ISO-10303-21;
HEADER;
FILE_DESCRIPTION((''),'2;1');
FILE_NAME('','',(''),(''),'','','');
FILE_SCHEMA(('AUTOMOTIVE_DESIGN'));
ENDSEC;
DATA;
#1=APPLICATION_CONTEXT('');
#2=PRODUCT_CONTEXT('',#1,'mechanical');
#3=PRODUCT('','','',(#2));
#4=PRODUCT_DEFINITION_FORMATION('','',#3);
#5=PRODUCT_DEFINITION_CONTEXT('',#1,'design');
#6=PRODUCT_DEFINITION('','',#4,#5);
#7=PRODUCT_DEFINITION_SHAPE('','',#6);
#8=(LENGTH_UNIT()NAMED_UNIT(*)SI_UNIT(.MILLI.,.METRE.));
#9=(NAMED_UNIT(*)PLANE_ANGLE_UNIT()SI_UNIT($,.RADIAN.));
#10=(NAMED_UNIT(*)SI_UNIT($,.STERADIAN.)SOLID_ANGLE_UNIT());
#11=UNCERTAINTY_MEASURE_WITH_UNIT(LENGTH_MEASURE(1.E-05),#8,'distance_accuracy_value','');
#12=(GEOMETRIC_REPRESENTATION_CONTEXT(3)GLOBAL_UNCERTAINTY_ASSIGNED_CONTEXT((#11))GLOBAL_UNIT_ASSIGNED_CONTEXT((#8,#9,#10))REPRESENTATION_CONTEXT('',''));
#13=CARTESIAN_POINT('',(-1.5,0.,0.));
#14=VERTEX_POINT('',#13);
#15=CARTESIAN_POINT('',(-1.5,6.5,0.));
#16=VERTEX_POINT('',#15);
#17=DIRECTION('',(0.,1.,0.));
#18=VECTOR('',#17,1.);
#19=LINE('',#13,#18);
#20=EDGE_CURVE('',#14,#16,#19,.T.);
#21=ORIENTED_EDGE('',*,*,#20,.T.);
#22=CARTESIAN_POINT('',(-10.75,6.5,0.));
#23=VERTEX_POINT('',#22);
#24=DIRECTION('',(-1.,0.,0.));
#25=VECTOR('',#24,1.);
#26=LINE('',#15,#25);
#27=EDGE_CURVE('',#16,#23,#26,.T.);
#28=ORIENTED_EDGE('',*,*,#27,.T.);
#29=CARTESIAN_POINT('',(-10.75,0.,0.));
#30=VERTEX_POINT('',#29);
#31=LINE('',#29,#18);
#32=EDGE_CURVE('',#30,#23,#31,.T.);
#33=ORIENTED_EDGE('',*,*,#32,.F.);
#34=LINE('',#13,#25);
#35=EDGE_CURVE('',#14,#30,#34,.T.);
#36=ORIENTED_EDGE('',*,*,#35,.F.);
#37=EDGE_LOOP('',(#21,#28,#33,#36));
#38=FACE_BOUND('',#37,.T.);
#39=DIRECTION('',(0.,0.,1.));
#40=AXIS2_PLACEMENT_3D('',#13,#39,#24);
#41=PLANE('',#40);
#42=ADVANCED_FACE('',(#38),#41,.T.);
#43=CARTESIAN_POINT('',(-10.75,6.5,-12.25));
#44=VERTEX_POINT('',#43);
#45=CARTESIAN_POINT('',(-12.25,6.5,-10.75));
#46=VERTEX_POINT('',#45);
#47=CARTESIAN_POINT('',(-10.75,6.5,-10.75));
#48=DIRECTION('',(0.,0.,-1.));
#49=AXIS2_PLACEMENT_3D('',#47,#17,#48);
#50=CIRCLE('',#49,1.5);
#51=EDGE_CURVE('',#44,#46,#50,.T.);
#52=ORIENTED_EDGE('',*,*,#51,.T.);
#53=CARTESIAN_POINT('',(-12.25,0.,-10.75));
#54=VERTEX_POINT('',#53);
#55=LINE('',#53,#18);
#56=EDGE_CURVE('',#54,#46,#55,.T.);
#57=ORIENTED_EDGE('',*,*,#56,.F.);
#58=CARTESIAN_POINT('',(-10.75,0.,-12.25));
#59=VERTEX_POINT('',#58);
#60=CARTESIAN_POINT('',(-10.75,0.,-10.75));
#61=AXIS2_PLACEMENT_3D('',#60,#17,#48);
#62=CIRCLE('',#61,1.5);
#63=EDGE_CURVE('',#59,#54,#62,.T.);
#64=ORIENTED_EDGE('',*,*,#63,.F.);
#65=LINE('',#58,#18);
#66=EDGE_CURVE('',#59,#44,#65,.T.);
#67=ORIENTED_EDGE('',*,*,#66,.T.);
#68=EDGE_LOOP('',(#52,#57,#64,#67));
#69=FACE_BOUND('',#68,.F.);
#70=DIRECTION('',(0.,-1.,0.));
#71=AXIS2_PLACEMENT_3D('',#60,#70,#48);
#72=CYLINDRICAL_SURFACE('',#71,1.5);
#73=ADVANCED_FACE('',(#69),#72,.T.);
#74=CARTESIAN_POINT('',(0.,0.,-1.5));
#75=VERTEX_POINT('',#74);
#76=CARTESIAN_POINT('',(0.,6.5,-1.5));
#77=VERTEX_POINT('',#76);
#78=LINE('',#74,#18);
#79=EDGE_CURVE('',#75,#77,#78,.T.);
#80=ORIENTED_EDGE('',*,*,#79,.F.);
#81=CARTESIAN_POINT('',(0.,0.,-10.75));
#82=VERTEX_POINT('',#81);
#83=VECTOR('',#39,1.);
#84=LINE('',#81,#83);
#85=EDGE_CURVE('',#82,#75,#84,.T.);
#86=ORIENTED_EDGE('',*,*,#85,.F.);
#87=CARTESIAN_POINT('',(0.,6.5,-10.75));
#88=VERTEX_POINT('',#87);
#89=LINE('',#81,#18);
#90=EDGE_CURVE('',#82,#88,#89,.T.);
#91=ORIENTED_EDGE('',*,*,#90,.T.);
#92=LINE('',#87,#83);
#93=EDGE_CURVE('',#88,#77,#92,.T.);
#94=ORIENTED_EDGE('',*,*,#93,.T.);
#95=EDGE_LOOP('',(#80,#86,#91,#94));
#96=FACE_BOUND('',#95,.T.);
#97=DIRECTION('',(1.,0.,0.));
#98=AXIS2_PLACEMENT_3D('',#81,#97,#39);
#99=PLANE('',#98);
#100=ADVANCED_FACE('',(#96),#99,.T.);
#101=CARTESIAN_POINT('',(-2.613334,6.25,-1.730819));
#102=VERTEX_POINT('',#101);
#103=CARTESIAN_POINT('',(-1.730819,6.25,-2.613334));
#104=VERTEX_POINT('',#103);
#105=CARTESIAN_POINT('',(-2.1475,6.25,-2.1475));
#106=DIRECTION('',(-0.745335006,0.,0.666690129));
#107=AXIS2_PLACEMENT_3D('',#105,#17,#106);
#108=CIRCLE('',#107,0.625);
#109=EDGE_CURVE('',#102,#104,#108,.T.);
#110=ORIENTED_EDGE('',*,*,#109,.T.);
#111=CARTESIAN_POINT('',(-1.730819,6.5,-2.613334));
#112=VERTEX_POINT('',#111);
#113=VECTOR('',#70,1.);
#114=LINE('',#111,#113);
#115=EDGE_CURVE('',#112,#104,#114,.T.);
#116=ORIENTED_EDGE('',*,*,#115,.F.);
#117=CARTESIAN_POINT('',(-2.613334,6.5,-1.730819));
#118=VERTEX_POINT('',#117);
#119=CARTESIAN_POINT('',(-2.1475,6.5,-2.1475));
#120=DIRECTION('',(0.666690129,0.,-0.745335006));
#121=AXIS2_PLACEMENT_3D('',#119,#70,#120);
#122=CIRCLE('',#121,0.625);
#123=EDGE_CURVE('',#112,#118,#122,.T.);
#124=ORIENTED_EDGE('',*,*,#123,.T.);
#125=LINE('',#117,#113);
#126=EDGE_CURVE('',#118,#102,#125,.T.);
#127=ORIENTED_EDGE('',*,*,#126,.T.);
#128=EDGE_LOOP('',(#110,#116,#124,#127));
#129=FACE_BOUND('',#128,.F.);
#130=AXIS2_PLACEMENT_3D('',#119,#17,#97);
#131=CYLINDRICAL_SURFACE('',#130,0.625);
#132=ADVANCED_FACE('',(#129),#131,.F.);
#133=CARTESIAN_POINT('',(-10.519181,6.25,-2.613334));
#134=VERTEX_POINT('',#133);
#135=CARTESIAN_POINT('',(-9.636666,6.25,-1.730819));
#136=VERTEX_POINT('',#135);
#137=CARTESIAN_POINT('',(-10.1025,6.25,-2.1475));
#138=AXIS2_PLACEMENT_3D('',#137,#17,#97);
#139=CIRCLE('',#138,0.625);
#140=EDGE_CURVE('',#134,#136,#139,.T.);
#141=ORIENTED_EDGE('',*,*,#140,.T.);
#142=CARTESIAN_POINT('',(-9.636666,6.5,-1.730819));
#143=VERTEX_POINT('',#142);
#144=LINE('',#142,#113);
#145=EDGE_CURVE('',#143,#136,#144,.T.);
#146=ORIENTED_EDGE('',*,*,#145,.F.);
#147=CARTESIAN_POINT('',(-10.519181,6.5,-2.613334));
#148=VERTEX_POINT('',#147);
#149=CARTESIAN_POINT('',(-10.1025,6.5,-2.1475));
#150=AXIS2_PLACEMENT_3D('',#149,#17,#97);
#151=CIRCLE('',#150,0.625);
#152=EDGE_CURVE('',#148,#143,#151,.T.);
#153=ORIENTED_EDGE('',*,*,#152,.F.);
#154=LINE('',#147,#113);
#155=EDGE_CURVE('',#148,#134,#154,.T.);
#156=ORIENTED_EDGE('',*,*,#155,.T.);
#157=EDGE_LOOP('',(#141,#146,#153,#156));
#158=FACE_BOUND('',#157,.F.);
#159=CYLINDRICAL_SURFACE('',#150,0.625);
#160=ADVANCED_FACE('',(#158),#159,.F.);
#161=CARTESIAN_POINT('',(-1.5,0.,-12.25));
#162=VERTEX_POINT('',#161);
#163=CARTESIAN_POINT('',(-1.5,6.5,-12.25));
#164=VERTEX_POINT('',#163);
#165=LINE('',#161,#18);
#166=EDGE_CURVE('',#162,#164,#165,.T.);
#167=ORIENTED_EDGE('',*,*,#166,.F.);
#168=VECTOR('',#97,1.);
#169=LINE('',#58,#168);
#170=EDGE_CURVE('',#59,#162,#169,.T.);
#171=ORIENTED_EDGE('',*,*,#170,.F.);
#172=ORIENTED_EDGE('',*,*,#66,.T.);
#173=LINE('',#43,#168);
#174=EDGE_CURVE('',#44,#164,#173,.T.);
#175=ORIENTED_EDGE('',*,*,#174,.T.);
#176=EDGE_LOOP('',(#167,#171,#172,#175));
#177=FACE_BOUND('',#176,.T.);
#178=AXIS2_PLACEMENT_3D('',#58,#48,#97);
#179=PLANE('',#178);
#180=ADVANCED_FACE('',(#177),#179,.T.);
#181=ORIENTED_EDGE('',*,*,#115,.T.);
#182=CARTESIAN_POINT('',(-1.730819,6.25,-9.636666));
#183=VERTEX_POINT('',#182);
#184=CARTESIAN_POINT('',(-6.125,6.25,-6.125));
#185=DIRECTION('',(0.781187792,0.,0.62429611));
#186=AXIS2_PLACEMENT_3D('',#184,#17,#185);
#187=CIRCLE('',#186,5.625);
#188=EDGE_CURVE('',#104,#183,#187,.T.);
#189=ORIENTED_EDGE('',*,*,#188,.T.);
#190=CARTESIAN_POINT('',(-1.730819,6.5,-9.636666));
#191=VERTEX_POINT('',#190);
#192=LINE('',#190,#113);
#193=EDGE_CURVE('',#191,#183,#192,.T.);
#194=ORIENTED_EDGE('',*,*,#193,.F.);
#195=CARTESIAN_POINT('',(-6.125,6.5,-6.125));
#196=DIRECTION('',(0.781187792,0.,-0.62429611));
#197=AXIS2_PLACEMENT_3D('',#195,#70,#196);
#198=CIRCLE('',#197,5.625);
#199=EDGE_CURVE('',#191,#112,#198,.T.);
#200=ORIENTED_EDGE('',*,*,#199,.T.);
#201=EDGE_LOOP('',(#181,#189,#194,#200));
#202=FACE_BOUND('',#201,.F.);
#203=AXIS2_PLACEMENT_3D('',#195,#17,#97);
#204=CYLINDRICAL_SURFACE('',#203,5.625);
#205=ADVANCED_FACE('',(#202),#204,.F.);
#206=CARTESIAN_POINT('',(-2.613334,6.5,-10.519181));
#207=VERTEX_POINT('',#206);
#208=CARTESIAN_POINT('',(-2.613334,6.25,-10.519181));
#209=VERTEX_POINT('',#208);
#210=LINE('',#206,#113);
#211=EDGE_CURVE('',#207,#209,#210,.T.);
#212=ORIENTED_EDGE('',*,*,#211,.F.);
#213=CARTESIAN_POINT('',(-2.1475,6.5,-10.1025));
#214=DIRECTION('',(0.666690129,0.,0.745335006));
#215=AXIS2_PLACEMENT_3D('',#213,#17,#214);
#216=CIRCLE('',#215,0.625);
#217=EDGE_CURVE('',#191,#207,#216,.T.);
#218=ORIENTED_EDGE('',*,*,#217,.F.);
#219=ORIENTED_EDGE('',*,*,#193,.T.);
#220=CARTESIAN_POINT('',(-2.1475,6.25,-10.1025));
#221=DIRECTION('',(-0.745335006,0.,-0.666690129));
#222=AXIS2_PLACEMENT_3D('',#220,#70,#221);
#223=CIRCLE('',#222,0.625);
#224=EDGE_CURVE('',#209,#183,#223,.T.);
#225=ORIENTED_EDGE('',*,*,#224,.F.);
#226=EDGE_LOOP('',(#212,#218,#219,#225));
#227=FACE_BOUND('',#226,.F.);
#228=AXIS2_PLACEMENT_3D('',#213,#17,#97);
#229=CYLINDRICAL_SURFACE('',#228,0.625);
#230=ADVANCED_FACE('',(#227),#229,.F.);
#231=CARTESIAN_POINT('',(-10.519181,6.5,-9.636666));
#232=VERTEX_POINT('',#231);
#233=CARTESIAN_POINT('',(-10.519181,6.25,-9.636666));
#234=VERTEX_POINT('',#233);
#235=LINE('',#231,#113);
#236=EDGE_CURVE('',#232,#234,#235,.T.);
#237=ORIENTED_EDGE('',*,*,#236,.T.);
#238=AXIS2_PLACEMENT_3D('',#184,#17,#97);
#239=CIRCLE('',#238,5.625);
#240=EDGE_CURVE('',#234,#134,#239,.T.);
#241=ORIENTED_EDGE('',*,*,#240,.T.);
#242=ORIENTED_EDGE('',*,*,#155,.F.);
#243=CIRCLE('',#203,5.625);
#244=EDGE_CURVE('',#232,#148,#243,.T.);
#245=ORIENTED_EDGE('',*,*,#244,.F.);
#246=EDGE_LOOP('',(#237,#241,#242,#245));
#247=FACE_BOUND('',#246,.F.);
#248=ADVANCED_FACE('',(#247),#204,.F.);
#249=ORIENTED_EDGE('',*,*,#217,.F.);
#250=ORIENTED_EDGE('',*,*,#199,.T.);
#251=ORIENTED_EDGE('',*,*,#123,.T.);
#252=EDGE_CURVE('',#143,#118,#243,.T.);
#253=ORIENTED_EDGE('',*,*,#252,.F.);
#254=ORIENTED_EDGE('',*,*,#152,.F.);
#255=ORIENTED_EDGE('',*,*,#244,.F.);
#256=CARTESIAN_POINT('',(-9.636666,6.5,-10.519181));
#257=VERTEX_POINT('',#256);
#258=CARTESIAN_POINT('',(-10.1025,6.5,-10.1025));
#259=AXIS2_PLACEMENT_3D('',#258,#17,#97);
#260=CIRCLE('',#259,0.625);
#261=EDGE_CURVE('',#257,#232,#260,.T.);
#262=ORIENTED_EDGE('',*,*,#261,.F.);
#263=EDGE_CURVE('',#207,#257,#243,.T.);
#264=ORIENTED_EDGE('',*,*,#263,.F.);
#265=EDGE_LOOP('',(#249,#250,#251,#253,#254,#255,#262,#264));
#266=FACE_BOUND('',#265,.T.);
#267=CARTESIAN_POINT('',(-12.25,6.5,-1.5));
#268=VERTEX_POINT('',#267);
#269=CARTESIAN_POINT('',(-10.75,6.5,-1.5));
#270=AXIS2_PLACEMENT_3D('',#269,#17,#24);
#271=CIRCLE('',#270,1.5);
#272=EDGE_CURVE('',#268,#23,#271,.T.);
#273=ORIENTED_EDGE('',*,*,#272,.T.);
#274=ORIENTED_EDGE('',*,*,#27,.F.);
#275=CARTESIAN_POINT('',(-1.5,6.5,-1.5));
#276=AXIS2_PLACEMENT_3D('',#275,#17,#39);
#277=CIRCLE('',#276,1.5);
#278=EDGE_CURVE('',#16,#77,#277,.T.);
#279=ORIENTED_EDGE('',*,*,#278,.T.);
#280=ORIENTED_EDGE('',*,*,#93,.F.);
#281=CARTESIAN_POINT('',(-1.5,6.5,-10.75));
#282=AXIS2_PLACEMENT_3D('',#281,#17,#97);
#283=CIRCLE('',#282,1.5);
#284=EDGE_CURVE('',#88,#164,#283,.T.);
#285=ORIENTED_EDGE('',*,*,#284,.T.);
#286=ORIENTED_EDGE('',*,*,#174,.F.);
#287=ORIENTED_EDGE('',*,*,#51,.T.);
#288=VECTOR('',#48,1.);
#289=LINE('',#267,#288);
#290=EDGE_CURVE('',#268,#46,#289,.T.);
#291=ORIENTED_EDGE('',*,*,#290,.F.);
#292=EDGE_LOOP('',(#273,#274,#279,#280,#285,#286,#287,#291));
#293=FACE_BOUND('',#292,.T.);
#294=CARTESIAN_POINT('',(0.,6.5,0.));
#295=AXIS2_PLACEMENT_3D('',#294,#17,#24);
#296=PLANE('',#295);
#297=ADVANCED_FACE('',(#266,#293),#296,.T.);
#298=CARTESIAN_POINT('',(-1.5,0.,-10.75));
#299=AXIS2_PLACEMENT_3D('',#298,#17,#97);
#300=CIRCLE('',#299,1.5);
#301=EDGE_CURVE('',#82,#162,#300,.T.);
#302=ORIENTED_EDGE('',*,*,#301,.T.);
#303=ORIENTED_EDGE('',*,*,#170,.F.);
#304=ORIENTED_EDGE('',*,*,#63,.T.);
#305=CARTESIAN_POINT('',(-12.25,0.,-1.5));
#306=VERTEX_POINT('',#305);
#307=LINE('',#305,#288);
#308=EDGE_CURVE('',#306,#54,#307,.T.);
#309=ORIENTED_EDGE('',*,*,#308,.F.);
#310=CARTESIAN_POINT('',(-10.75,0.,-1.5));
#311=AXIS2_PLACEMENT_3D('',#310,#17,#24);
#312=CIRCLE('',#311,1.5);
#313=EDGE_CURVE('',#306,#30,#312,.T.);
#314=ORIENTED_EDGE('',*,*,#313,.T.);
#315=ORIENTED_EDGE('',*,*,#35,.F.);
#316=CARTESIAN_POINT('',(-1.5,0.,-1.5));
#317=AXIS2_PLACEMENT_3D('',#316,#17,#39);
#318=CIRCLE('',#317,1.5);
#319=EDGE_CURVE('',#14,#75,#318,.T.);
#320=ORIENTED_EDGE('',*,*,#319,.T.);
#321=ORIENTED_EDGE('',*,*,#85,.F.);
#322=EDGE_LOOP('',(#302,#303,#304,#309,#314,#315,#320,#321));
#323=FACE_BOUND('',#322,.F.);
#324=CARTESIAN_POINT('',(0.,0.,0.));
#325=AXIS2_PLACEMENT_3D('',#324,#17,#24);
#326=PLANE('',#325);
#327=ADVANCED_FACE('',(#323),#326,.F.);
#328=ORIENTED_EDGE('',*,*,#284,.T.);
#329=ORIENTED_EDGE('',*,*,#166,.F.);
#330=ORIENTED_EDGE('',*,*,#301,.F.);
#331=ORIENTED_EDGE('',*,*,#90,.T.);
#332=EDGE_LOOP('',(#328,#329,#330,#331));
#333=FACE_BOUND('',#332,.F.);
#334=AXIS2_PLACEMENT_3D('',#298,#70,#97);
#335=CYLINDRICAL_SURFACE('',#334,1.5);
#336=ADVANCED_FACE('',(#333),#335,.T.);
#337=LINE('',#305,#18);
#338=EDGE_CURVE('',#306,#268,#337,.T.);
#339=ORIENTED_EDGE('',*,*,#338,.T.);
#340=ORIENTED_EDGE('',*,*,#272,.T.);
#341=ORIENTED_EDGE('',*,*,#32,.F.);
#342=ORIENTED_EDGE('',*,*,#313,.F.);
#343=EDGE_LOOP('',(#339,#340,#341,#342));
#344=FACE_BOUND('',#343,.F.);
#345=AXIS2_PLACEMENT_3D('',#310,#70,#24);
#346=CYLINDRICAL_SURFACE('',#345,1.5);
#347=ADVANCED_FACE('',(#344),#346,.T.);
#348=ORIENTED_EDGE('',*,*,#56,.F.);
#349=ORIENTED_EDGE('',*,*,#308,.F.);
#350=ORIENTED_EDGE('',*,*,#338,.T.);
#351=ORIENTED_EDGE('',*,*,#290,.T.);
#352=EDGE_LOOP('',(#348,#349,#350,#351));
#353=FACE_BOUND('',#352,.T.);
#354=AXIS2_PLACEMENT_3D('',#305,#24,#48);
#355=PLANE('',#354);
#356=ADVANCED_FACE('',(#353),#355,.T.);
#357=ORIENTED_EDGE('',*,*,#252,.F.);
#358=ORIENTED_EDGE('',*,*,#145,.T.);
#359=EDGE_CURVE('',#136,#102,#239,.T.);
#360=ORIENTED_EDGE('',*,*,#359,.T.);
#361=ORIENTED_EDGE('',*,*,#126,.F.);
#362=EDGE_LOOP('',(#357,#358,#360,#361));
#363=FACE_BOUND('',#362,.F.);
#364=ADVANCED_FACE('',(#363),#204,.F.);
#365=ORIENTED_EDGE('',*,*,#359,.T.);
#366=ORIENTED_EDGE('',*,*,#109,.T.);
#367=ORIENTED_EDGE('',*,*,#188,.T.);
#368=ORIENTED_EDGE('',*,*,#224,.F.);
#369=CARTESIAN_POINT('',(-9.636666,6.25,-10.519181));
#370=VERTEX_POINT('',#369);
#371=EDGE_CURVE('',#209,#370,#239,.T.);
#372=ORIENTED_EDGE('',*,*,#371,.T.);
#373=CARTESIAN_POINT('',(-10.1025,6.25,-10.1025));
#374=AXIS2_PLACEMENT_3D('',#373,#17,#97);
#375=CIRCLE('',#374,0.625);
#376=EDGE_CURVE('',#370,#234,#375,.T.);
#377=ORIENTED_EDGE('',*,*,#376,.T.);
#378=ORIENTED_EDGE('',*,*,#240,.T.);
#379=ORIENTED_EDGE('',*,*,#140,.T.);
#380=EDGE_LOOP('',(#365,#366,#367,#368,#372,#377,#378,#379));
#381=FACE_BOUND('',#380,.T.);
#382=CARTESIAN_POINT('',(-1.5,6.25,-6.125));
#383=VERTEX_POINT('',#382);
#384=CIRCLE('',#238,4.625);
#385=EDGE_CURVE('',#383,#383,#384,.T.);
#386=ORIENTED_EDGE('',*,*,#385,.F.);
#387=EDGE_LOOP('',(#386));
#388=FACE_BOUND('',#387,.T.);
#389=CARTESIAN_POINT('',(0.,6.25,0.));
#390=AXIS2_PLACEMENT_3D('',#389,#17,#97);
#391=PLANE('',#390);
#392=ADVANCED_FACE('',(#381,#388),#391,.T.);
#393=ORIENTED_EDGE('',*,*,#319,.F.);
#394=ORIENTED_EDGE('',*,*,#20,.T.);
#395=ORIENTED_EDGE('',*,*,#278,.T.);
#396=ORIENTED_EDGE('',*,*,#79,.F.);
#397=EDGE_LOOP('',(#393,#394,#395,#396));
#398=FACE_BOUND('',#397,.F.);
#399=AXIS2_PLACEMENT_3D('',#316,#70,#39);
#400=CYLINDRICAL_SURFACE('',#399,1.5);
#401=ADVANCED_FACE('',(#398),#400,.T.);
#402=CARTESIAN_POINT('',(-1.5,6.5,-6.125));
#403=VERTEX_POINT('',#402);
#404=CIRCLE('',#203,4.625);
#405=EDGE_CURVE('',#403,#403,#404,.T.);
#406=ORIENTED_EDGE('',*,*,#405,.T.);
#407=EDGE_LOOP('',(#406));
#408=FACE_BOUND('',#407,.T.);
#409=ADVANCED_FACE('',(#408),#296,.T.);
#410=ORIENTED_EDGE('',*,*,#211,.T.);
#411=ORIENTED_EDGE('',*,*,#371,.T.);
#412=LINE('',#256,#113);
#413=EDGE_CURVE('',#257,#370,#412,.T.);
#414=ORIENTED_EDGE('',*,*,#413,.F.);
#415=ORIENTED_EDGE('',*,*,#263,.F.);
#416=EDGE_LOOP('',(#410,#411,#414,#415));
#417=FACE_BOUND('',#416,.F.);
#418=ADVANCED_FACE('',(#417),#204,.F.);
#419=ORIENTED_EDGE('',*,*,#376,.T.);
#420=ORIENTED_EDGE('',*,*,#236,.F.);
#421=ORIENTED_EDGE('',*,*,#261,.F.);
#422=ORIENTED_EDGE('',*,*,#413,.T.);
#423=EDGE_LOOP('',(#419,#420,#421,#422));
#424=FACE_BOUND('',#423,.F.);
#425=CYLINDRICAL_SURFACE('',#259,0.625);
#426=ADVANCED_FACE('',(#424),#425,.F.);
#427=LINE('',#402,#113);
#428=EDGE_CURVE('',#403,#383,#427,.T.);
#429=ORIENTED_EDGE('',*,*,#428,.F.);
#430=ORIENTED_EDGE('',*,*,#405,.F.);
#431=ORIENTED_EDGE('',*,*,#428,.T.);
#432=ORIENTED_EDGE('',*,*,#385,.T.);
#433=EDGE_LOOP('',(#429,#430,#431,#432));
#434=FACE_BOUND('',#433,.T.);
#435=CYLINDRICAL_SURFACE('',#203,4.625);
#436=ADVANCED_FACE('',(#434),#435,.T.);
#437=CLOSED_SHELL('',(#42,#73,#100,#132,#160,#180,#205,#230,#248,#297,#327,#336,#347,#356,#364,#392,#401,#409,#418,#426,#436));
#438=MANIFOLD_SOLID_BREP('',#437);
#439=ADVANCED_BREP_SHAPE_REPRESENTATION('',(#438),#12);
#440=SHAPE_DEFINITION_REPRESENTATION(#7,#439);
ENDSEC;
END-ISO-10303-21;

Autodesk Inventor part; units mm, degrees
ref_plane "YZ Plane" through (0, 0, 0) normal (1, 0, 0) x (0, 1, 0)
ref_plane "XZ Plane" through (0, 0, 0) normal (0, 1, 0) x (-1, 0, 0)
ref_plane "XY Plane" through (0, 0, 0) normal (0, 0, 1) x (1, 0, 0)
sketch "Sketch1" plane through (0, 0, 0) normal (0, 1, 0) x (-1, 0, 0)
  line L0 (1.5, 0) -> (10.75, 0)
  line L1 (12.25, -1.5) -> (12.25, -10.75)
  line L2 (10.75, -12.25) -> (1.5, -12.25)
  line L3 (0, -10.75) -> (0, -1.5)
  arc A0 (12.25, -1.5) -> (10.75, 0) centre (10.75, -1.5) ccw
  arc A1 (10.75, -12.25) -> (12.25, -10.75) centre (10.75, -10.75) ccw
  arc A2 (0, -10.75) -> (1.5, -12.25) centre (1.5, -10.75) ccw
  arc A3 (1.5, 0) -> (0, -1.5) centre (1.5, -1.5) ccw
  point P0 (0, 0)
  point P1 (12.25, -12.25)
  point P2 (12.25, 0)
  dimension "d0" = 12.25
  dimension "d1" = 12.25
  dimension "d2" = 1.5
extrude "Extrusion1" add sketch "Sketch1" along normal blind 6.5
sketch "Sketch2" plane through (0, 6.5, 0) normal (0, 1, 0) x (1, 0, 0)
  circle A0 centre (-6.125, 6.125) radius 5.625
  line L0 (-1.5, 12.25) -> (-10.75, 12.25) projected
  line L1 (-10.75, 0) -> (-1.5, 0) projected
  circle A1 centre (-6.125, 6.125) radius 4.625
  circle A2 centre (-10.1025, 2.1475) radius 0.625
  arc A3 (-12.25, 1.5) -> (-10.75, 0) centre (-10.75, 1.5) ccw construction
  line L2 (-6.125, 6.125) -> (-10.75, 1.5) construction
  line L3 (-12.25, 10.75) -> (-12.25, 1.5) construction
  circle A4 centre (-2.1475, 2.1475) radius 0.625
  circle A5 centre (-2.1475, 10.1025) radius 0.625
  circle A6 centre (-10.1025, 10.1025) radius 0.625
  point P0 (0, 0)
  dimension "d6" = 11.25
  dimension "d5" = 12.25
  dimension "d7" = 1
  dimension "d8" = 1.25
  dimension "d9" = 6.125
  dimension "d10" = 6.125
  dimension "d13" = 360
extrude "Extrusion2" cut sketch "Sketch2" against normal blind 0.25
equation "\"d1\" = d0"
equation "\"d9\" = 0.5 * d5"
equation "\"d10\" = d9"
properties part number "coil"
